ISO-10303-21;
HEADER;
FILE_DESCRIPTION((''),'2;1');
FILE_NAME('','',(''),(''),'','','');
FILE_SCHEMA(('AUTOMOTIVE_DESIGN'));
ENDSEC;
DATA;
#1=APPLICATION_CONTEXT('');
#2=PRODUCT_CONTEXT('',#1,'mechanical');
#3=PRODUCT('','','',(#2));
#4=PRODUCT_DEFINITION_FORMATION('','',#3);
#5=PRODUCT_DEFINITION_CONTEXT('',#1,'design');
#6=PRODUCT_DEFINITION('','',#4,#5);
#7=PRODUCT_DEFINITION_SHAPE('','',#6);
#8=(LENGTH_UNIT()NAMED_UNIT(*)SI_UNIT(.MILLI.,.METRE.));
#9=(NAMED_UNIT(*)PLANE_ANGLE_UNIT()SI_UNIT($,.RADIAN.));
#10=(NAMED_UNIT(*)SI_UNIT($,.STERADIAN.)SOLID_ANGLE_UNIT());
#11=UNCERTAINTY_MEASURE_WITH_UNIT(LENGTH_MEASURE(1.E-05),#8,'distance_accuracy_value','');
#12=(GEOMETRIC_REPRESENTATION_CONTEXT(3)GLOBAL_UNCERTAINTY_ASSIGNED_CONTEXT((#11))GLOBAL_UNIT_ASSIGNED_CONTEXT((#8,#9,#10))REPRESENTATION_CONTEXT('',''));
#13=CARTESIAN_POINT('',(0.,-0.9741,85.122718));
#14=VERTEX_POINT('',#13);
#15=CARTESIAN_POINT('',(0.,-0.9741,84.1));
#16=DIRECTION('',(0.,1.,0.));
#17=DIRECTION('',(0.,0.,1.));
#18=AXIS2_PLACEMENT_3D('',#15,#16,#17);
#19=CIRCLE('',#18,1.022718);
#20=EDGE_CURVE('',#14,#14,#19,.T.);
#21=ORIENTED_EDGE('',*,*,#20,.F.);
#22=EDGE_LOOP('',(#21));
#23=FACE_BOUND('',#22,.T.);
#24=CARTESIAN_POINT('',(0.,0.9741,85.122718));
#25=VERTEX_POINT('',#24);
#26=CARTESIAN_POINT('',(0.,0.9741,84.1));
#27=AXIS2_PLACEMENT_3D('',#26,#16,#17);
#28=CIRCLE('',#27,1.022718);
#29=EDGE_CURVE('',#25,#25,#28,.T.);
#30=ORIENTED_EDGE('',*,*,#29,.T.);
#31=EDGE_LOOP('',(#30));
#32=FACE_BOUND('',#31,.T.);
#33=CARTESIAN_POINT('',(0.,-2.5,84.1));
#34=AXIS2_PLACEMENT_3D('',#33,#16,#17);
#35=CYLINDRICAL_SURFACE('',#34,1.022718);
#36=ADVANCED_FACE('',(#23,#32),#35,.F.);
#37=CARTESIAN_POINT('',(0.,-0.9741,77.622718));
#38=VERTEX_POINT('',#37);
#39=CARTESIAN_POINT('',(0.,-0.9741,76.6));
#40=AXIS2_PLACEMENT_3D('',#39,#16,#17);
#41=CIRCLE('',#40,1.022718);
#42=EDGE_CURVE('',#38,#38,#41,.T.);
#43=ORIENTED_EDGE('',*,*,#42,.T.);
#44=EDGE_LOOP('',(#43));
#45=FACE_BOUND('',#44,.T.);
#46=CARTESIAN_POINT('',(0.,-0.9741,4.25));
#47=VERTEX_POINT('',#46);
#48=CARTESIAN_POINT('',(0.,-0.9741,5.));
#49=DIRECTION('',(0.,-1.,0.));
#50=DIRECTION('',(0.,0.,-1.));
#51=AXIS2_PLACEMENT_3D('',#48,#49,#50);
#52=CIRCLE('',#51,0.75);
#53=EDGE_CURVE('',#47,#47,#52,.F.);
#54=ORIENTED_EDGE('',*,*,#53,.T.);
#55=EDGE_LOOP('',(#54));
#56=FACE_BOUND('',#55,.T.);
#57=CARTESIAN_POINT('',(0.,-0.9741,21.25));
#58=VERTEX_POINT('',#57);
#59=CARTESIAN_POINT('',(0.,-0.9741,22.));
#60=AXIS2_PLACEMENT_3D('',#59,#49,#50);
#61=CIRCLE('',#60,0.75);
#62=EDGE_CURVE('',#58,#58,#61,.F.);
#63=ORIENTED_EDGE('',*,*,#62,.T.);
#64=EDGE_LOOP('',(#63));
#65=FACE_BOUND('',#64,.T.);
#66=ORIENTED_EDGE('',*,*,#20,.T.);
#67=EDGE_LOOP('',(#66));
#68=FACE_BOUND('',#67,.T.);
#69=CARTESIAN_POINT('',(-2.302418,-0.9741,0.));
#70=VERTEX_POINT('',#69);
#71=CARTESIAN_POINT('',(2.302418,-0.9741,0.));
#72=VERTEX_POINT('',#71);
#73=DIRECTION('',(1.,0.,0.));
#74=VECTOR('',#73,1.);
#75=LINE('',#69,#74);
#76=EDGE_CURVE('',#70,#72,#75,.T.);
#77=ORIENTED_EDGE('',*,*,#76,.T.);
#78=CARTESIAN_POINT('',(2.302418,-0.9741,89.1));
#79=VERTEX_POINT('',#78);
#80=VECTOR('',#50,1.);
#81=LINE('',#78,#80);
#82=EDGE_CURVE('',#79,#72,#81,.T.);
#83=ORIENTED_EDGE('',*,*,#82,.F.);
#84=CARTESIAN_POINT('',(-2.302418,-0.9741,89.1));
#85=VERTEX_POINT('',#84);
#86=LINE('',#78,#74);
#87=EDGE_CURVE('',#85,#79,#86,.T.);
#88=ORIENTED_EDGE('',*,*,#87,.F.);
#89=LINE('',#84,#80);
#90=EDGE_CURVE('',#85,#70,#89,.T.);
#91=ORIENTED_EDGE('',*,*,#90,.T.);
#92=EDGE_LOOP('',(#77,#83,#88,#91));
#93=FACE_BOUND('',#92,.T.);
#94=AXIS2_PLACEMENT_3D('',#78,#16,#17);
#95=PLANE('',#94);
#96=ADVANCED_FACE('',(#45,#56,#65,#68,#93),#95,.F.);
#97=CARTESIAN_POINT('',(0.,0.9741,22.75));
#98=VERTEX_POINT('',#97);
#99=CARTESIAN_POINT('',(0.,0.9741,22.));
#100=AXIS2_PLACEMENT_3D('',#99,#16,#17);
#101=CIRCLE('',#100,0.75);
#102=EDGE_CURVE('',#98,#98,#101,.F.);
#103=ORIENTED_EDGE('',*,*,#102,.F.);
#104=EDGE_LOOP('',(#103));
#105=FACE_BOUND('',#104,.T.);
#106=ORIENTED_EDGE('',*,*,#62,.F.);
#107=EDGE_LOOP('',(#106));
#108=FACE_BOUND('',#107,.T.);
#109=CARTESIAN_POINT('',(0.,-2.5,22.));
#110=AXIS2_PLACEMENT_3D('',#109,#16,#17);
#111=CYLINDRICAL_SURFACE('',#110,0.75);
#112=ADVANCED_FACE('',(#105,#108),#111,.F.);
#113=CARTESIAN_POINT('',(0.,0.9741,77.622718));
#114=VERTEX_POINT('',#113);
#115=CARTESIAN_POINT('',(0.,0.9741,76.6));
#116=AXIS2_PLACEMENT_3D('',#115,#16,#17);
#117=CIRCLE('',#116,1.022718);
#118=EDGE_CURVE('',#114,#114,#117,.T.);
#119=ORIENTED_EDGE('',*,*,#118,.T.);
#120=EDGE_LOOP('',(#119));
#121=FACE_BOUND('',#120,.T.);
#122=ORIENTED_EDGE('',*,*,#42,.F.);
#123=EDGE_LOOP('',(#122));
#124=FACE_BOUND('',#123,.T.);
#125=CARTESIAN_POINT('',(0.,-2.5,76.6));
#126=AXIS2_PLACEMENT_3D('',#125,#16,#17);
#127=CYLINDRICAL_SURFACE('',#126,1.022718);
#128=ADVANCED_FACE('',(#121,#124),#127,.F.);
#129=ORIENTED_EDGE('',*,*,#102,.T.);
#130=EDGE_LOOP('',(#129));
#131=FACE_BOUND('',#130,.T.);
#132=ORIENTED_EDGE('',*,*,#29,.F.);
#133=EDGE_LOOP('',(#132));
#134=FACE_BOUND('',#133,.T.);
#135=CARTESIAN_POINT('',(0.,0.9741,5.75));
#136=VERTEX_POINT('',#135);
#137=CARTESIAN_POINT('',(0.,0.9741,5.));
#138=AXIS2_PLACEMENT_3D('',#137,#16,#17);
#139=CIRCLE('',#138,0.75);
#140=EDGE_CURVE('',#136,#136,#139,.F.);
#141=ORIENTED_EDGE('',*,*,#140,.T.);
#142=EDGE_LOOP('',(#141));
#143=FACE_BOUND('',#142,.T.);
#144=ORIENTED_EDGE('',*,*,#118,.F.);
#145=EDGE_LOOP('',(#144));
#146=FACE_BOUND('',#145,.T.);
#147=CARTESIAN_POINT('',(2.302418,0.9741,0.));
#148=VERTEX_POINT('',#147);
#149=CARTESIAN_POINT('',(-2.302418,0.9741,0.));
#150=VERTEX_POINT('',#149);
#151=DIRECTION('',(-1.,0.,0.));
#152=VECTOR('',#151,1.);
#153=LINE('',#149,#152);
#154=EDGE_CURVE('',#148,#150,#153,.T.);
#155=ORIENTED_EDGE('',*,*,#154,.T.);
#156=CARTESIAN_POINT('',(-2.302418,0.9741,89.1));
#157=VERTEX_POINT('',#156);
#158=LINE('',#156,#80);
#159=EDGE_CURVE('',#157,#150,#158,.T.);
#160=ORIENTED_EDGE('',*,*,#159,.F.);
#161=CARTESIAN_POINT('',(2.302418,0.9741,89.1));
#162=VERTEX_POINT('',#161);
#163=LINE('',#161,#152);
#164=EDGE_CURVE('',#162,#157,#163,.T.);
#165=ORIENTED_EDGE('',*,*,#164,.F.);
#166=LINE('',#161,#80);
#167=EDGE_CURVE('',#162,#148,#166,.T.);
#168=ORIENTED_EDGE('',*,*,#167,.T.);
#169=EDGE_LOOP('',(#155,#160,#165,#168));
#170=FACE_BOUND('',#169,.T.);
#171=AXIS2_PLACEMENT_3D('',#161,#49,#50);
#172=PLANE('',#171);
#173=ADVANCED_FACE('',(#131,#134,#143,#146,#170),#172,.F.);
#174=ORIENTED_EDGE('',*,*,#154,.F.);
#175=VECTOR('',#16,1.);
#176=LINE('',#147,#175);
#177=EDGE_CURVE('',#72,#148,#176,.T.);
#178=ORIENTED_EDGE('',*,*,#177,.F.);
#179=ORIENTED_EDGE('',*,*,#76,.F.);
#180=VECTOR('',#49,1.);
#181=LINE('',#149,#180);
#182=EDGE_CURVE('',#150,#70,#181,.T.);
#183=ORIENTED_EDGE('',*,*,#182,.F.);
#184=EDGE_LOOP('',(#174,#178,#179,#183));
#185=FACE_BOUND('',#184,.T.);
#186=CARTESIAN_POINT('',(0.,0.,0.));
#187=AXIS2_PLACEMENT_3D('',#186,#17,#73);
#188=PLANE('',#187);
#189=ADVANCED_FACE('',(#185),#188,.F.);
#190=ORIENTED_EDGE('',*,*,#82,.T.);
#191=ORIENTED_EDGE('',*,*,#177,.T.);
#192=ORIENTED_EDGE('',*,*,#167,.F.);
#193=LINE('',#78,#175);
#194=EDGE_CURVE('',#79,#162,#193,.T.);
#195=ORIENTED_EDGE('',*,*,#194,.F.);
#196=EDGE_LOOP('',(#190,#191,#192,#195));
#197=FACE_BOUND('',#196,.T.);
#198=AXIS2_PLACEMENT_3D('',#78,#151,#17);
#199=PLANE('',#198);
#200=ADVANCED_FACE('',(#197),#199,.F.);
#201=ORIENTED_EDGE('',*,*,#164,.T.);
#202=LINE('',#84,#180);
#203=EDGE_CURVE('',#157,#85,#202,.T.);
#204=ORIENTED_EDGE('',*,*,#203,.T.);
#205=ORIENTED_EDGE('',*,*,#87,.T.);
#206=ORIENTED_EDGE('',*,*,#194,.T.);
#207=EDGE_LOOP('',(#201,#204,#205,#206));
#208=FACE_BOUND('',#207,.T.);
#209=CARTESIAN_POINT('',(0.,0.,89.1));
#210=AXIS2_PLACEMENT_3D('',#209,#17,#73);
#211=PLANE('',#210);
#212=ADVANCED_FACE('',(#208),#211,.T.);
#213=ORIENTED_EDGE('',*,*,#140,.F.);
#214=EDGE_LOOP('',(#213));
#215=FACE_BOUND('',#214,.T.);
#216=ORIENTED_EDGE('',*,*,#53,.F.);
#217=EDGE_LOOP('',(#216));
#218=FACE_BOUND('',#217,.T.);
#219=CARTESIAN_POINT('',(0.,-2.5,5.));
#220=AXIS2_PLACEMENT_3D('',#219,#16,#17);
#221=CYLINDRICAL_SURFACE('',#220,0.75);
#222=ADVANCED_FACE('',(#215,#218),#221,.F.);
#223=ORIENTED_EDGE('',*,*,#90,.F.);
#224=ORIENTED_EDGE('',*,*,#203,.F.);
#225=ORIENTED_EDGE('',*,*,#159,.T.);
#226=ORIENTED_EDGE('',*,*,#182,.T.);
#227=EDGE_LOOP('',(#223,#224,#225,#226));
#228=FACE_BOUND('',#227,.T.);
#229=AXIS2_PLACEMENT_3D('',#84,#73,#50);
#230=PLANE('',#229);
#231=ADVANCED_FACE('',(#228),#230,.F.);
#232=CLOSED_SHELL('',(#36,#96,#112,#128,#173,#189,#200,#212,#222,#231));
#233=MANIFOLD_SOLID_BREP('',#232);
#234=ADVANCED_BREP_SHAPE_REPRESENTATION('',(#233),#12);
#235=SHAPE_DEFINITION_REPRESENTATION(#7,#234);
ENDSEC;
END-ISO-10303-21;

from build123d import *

# Parameters (mm, degrees)
SKETCH1_R               = 2.5
BOSS_EXTRUDE1_DEPTH     = 56
SKETCH2_W               = 4.604836256
SKETCH2_H               = 1.948199954
BOSS_EXTRUDE2_DEPTH     = 33.1
SKETCH3_R               = 1.022717979
CUT_EXTRUDE1_DEPTH      = 4.474099977
SKETCH4_R               = 0.75
CUT_EXTRUDE2_DEPTH      = 3.5
CUT_EXTRUDE2_DEPTH_BACK = 3.5
SKETCH5_OUTSIDE_W       = 24.876
SKETCH5_OUTSIDE_H       = 24.876
SKETCH5_OUTSIDE_W_2     = 4.604836256
SKETCH5_OUTSIDE_H_2     = 1.948199954
CUT_EXTRUDE3_DEPTH      = 90.1000001


with BuildPart() as part:
    # Sketch1 → Boss-Extrude1 (new body)
    with BuildSketch(Plane.XY):
        Circle(SKETCH1_R)
    extrude(amount=BOSS_EXTRUDE1_DEPTH)

    # Sketch2 → Boss-Extrude2 (add)
    with BuildSketch(Plane.XY.offset(56)):
        Rectangle(SKETCH2_W, SKETCH2_H)
    extrude(amount=BOSS_EXTRUDE2_DEPTH)

    # Sketch3 → Cut-Extrude1 (cut, through all)
    with BuildSketch(Plane(origin=(0, 0.974099977, 0), x_dir=(1, 0, 0), z_dir=(0, 1, 0))):
        with Locations((0, -76.6)):
            Circle(SKETCH3_R)
        with Locations((0, -84.1)):
            Circle(SKETCH3_R)
    extrude(amount=-CUT_EXTRUDE1_DEPTH, mode=Mode.SUBTRACT)

    # Sketch4 → Cut-Extrude2 (cut, two sides)
    with BuildSketch(Plane(origin=(0, 0, 0), x_dir=(1, 0, 0), z_dir=(0, 1, 0))) as cut_extrude2_sk:
        with Locations((0, -5)):
            Circle(SKETCH4_R)
        with Locations((0, -22)):
            Circle(SKETCH4_R)
    extrude(amount=CUT_EXTRUDE2_DEPTH, mode=Mode.SUBTRACT)
    extrude(cut_extrude2_sk.sketch, amount=-CUT_EXTRUDE2_DEPTH_BACK, mode=Mode.SUBTRACT)

    # Sketch5 outside → Cut-Extrude3 (cut, through all)
    with BuildSketch(Plane.XY.offset(89.1)):
        Rectangle(SKETCH5_OUTSIDE_W, SKETCH5_OUTSIDE_H)
        Rectangle(SKETCH5_OUTSIDE_W_2, SKETCH5_OUTSIDE_H_2, mode=Mode.SUBTRACT)
    extrude(amount=-CUT_EXTRUDE3_DEPTH, mode=Mode.SUBTRACT)


solid = part.part
